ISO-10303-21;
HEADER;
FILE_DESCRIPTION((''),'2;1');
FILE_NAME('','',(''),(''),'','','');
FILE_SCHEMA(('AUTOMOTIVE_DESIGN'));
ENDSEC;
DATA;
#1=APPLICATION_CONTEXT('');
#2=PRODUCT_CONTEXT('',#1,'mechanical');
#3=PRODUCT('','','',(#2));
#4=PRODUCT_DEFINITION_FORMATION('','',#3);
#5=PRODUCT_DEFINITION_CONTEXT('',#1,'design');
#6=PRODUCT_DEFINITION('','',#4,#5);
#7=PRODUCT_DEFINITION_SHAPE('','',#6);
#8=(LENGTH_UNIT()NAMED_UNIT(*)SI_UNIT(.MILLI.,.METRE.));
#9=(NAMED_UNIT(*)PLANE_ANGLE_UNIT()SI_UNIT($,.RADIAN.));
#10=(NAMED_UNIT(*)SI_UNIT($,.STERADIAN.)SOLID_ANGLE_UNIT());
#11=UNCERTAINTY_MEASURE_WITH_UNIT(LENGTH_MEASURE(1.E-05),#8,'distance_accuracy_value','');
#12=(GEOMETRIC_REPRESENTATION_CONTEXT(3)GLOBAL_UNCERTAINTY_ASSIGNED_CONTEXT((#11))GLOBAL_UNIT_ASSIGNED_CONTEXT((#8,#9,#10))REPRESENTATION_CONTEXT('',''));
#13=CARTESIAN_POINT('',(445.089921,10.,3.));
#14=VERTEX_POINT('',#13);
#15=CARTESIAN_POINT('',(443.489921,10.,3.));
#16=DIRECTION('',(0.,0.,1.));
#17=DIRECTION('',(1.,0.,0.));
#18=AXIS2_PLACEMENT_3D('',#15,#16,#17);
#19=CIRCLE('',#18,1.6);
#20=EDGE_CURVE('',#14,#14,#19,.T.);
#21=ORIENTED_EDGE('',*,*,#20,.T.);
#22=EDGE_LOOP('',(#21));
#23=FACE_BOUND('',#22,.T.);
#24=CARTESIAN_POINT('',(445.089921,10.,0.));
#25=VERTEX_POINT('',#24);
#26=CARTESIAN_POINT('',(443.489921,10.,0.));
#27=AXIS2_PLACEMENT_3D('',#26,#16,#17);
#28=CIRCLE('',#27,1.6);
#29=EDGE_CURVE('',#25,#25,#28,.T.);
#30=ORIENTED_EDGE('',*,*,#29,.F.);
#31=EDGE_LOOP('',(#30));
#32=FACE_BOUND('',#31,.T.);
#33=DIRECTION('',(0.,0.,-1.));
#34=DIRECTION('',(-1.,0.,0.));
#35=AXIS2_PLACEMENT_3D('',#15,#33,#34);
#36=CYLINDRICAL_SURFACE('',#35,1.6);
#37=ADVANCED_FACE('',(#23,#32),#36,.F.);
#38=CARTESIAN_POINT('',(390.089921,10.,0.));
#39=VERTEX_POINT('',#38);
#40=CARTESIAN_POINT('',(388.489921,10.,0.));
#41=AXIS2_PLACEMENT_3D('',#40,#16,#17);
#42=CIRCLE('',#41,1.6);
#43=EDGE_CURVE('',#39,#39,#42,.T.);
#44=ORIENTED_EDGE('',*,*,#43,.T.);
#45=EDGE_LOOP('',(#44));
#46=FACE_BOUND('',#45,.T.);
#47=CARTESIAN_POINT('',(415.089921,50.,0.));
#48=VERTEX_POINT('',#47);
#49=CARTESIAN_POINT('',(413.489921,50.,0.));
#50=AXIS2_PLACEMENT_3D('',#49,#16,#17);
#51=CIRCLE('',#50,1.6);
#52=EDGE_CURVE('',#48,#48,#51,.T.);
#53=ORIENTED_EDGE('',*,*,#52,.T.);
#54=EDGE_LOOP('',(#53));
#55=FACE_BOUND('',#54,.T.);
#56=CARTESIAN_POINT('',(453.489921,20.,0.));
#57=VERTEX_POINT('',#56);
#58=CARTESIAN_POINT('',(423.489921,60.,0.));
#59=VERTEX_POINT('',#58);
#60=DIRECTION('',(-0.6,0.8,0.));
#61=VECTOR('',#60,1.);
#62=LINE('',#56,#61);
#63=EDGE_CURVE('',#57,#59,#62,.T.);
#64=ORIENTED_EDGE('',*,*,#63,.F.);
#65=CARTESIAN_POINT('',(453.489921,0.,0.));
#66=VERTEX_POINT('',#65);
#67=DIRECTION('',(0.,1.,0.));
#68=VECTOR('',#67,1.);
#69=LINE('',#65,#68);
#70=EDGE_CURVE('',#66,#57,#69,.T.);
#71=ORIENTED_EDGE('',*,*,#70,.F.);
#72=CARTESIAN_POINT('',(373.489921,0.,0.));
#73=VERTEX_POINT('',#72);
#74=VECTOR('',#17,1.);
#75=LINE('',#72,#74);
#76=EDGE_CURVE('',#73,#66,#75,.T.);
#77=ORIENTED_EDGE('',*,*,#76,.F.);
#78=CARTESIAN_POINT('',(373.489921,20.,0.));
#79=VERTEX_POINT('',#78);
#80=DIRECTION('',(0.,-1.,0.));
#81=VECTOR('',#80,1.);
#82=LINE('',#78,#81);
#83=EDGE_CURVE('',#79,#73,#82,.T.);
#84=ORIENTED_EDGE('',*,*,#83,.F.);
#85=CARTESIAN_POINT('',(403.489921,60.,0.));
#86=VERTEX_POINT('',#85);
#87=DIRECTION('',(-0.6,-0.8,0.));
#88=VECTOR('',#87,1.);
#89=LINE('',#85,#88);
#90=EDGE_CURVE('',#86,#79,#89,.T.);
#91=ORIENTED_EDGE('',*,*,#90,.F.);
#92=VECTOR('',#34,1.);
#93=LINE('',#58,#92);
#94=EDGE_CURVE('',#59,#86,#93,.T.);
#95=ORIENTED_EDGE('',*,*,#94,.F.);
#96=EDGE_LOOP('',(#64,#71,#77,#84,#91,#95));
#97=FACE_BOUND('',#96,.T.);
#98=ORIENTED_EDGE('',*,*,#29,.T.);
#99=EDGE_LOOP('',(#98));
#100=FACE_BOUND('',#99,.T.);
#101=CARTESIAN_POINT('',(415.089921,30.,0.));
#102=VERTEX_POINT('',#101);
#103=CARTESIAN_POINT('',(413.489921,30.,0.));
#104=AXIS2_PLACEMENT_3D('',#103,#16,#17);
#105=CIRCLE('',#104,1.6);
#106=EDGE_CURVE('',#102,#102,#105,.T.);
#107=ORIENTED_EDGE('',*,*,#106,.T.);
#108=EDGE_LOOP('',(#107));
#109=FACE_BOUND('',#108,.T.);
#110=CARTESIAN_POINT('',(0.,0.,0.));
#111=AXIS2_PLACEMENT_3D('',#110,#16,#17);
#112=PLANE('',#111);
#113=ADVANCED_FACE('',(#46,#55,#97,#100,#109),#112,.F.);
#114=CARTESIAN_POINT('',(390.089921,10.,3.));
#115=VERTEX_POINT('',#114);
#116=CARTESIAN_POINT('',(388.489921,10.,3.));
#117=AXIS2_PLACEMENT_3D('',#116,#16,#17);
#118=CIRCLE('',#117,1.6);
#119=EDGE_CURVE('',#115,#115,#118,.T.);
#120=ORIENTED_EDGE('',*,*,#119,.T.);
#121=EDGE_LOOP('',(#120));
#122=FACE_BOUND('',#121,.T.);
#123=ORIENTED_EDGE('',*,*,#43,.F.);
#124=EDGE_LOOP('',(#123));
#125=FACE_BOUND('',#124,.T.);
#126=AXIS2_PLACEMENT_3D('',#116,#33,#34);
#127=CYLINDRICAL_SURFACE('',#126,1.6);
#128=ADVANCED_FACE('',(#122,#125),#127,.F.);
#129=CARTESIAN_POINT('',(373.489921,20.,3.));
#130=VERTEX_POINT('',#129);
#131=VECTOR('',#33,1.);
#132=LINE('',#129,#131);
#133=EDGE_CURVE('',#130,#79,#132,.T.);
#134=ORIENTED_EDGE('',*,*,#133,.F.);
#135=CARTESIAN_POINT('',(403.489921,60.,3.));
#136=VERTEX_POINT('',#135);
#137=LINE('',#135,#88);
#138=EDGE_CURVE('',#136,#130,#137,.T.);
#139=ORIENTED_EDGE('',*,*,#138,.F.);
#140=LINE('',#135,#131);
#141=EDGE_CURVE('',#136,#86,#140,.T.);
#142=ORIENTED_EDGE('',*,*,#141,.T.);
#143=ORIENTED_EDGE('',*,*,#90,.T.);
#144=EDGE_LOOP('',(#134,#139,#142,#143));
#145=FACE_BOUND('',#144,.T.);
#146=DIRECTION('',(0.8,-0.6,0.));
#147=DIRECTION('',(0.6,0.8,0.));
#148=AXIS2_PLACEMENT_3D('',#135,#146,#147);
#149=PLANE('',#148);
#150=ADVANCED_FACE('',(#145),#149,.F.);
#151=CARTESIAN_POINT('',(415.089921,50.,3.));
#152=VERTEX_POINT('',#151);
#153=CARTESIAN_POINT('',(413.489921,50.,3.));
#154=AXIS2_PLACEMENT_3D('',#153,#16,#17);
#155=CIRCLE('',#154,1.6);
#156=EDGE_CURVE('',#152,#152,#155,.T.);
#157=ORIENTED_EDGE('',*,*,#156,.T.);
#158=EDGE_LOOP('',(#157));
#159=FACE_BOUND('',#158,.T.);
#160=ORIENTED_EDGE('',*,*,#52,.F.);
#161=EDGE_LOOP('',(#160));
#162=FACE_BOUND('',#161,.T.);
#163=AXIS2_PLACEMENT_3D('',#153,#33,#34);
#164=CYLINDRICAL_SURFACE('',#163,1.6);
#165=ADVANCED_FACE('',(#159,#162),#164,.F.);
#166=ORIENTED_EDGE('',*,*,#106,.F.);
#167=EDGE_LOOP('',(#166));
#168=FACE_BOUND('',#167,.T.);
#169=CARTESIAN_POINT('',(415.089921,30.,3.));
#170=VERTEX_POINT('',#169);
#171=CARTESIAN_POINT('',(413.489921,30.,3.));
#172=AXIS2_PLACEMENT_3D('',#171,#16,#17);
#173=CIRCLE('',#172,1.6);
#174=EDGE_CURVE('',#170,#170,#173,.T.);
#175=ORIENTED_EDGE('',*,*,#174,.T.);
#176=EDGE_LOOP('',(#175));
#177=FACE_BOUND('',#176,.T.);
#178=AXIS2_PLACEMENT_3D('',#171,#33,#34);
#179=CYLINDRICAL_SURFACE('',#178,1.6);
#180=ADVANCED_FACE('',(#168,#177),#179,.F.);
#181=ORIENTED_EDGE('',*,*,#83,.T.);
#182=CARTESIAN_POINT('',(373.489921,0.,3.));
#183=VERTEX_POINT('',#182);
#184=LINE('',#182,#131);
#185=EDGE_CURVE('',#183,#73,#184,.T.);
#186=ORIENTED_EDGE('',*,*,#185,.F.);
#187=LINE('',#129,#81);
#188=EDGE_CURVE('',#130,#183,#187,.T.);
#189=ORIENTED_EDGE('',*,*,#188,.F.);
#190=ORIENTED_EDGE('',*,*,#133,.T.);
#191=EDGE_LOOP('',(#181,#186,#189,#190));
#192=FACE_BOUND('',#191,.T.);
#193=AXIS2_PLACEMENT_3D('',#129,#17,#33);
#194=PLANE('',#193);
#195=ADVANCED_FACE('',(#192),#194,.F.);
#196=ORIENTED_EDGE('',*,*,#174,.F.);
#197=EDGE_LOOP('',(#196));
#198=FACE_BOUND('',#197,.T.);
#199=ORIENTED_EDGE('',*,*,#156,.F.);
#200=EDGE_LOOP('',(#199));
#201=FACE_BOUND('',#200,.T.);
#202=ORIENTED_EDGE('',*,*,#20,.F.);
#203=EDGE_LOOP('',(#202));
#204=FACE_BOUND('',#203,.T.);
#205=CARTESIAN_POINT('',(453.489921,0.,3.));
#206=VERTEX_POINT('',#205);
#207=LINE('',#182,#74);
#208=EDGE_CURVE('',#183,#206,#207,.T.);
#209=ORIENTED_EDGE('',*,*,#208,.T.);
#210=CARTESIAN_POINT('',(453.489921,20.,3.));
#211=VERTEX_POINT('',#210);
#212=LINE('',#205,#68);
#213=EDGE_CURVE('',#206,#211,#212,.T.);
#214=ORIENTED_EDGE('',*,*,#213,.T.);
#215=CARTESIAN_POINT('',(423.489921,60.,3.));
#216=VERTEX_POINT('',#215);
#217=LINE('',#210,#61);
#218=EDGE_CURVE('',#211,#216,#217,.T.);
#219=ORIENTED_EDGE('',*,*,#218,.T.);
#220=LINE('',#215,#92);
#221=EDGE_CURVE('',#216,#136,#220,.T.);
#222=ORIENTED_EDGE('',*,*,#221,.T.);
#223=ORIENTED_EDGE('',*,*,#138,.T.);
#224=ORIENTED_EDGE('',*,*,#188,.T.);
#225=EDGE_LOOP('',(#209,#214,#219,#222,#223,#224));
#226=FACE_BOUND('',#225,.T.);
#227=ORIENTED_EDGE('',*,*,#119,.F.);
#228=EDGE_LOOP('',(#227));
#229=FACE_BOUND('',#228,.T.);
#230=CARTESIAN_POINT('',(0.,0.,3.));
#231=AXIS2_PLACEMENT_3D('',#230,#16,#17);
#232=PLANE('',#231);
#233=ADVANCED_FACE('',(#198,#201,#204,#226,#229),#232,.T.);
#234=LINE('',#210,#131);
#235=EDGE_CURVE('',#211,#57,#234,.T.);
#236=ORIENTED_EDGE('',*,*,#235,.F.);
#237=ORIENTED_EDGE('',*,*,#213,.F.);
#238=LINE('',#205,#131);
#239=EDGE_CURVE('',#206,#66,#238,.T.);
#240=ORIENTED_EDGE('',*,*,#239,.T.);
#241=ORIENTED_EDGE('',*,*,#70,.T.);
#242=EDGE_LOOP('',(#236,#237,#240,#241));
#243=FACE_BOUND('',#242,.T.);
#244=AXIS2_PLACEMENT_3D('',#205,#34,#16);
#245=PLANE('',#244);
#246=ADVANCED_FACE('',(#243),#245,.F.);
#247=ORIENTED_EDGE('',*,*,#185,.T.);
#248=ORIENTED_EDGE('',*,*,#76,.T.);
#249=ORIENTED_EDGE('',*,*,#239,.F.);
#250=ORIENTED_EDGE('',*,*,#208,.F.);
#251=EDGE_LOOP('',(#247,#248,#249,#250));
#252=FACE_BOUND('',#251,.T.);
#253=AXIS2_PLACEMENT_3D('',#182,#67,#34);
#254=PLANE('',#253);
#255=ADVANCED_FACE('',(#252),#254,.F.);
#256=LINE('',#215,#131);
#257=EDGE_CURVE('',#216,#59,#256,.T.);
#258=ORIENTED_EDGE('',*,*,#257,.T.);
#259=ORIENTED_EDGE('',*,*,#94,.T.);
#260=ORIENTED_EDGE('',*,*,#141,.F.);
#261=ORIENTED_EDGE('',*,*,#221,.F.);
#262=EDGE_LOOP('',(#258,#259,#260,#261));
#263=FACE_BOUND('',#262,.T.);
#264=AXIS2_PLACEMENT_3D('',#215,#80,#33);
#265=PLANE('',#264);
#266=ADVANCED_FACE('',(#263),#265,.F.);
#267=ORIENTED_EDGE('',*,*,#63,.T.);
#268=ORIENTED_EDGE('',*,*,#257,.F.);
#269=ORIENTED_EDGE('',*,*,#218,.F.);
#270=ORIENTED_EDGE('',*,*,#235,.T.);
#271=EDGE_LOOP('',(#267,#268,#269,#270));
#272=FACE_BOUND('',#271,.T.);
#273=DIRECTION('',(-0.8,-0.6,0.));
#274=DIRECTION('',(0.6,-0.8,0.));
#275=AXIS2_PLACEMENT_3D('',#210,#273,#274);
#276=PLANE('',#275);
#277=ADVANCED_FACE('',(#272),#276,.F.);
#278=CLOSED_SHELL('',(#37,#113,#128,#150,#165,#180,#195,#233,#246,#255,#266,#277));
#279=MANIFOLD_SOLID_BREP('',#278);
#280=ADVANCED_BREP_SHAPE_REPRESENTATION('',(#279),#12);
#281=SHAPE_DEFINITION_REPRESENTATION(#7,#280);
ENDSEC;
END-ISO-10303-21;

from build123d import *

# Parameters (mm, degrees)
SKETCH1_R      = 1.6
EXTRUDE1_DEPTH = 3


with BuildPart() as part:
    # Sketch1 → Extrude1 (new body)
    with BuildSketch(Plane.XY):
        Polygon((453.489921235, 0), (453.489921235, 20), (423.489921235, 60), (403.489921235, 60), (373.489921235, 20), (373.489921235, 0), align=None)
        with Locations((413.489921235, 50)):
            Circle(SKETCH1_R, mode=Mode.SUBTRACT)
        with Locations((413.489921235, 30)):
            Circle(SKETCH1_R, mode=Mode.SUBTRACT)
        with Locations((443.489921235, 10)):
            Circle(SKETCH1_R, mode=Mode.SUBTRACT)
        with Locations((388.489921235, 10)):
            Circle(SKETCH1_R, mode=Mode.SUBTRACT)
    extrude(amount=EXTRUDE1_DEPTH)


solid = part.part
